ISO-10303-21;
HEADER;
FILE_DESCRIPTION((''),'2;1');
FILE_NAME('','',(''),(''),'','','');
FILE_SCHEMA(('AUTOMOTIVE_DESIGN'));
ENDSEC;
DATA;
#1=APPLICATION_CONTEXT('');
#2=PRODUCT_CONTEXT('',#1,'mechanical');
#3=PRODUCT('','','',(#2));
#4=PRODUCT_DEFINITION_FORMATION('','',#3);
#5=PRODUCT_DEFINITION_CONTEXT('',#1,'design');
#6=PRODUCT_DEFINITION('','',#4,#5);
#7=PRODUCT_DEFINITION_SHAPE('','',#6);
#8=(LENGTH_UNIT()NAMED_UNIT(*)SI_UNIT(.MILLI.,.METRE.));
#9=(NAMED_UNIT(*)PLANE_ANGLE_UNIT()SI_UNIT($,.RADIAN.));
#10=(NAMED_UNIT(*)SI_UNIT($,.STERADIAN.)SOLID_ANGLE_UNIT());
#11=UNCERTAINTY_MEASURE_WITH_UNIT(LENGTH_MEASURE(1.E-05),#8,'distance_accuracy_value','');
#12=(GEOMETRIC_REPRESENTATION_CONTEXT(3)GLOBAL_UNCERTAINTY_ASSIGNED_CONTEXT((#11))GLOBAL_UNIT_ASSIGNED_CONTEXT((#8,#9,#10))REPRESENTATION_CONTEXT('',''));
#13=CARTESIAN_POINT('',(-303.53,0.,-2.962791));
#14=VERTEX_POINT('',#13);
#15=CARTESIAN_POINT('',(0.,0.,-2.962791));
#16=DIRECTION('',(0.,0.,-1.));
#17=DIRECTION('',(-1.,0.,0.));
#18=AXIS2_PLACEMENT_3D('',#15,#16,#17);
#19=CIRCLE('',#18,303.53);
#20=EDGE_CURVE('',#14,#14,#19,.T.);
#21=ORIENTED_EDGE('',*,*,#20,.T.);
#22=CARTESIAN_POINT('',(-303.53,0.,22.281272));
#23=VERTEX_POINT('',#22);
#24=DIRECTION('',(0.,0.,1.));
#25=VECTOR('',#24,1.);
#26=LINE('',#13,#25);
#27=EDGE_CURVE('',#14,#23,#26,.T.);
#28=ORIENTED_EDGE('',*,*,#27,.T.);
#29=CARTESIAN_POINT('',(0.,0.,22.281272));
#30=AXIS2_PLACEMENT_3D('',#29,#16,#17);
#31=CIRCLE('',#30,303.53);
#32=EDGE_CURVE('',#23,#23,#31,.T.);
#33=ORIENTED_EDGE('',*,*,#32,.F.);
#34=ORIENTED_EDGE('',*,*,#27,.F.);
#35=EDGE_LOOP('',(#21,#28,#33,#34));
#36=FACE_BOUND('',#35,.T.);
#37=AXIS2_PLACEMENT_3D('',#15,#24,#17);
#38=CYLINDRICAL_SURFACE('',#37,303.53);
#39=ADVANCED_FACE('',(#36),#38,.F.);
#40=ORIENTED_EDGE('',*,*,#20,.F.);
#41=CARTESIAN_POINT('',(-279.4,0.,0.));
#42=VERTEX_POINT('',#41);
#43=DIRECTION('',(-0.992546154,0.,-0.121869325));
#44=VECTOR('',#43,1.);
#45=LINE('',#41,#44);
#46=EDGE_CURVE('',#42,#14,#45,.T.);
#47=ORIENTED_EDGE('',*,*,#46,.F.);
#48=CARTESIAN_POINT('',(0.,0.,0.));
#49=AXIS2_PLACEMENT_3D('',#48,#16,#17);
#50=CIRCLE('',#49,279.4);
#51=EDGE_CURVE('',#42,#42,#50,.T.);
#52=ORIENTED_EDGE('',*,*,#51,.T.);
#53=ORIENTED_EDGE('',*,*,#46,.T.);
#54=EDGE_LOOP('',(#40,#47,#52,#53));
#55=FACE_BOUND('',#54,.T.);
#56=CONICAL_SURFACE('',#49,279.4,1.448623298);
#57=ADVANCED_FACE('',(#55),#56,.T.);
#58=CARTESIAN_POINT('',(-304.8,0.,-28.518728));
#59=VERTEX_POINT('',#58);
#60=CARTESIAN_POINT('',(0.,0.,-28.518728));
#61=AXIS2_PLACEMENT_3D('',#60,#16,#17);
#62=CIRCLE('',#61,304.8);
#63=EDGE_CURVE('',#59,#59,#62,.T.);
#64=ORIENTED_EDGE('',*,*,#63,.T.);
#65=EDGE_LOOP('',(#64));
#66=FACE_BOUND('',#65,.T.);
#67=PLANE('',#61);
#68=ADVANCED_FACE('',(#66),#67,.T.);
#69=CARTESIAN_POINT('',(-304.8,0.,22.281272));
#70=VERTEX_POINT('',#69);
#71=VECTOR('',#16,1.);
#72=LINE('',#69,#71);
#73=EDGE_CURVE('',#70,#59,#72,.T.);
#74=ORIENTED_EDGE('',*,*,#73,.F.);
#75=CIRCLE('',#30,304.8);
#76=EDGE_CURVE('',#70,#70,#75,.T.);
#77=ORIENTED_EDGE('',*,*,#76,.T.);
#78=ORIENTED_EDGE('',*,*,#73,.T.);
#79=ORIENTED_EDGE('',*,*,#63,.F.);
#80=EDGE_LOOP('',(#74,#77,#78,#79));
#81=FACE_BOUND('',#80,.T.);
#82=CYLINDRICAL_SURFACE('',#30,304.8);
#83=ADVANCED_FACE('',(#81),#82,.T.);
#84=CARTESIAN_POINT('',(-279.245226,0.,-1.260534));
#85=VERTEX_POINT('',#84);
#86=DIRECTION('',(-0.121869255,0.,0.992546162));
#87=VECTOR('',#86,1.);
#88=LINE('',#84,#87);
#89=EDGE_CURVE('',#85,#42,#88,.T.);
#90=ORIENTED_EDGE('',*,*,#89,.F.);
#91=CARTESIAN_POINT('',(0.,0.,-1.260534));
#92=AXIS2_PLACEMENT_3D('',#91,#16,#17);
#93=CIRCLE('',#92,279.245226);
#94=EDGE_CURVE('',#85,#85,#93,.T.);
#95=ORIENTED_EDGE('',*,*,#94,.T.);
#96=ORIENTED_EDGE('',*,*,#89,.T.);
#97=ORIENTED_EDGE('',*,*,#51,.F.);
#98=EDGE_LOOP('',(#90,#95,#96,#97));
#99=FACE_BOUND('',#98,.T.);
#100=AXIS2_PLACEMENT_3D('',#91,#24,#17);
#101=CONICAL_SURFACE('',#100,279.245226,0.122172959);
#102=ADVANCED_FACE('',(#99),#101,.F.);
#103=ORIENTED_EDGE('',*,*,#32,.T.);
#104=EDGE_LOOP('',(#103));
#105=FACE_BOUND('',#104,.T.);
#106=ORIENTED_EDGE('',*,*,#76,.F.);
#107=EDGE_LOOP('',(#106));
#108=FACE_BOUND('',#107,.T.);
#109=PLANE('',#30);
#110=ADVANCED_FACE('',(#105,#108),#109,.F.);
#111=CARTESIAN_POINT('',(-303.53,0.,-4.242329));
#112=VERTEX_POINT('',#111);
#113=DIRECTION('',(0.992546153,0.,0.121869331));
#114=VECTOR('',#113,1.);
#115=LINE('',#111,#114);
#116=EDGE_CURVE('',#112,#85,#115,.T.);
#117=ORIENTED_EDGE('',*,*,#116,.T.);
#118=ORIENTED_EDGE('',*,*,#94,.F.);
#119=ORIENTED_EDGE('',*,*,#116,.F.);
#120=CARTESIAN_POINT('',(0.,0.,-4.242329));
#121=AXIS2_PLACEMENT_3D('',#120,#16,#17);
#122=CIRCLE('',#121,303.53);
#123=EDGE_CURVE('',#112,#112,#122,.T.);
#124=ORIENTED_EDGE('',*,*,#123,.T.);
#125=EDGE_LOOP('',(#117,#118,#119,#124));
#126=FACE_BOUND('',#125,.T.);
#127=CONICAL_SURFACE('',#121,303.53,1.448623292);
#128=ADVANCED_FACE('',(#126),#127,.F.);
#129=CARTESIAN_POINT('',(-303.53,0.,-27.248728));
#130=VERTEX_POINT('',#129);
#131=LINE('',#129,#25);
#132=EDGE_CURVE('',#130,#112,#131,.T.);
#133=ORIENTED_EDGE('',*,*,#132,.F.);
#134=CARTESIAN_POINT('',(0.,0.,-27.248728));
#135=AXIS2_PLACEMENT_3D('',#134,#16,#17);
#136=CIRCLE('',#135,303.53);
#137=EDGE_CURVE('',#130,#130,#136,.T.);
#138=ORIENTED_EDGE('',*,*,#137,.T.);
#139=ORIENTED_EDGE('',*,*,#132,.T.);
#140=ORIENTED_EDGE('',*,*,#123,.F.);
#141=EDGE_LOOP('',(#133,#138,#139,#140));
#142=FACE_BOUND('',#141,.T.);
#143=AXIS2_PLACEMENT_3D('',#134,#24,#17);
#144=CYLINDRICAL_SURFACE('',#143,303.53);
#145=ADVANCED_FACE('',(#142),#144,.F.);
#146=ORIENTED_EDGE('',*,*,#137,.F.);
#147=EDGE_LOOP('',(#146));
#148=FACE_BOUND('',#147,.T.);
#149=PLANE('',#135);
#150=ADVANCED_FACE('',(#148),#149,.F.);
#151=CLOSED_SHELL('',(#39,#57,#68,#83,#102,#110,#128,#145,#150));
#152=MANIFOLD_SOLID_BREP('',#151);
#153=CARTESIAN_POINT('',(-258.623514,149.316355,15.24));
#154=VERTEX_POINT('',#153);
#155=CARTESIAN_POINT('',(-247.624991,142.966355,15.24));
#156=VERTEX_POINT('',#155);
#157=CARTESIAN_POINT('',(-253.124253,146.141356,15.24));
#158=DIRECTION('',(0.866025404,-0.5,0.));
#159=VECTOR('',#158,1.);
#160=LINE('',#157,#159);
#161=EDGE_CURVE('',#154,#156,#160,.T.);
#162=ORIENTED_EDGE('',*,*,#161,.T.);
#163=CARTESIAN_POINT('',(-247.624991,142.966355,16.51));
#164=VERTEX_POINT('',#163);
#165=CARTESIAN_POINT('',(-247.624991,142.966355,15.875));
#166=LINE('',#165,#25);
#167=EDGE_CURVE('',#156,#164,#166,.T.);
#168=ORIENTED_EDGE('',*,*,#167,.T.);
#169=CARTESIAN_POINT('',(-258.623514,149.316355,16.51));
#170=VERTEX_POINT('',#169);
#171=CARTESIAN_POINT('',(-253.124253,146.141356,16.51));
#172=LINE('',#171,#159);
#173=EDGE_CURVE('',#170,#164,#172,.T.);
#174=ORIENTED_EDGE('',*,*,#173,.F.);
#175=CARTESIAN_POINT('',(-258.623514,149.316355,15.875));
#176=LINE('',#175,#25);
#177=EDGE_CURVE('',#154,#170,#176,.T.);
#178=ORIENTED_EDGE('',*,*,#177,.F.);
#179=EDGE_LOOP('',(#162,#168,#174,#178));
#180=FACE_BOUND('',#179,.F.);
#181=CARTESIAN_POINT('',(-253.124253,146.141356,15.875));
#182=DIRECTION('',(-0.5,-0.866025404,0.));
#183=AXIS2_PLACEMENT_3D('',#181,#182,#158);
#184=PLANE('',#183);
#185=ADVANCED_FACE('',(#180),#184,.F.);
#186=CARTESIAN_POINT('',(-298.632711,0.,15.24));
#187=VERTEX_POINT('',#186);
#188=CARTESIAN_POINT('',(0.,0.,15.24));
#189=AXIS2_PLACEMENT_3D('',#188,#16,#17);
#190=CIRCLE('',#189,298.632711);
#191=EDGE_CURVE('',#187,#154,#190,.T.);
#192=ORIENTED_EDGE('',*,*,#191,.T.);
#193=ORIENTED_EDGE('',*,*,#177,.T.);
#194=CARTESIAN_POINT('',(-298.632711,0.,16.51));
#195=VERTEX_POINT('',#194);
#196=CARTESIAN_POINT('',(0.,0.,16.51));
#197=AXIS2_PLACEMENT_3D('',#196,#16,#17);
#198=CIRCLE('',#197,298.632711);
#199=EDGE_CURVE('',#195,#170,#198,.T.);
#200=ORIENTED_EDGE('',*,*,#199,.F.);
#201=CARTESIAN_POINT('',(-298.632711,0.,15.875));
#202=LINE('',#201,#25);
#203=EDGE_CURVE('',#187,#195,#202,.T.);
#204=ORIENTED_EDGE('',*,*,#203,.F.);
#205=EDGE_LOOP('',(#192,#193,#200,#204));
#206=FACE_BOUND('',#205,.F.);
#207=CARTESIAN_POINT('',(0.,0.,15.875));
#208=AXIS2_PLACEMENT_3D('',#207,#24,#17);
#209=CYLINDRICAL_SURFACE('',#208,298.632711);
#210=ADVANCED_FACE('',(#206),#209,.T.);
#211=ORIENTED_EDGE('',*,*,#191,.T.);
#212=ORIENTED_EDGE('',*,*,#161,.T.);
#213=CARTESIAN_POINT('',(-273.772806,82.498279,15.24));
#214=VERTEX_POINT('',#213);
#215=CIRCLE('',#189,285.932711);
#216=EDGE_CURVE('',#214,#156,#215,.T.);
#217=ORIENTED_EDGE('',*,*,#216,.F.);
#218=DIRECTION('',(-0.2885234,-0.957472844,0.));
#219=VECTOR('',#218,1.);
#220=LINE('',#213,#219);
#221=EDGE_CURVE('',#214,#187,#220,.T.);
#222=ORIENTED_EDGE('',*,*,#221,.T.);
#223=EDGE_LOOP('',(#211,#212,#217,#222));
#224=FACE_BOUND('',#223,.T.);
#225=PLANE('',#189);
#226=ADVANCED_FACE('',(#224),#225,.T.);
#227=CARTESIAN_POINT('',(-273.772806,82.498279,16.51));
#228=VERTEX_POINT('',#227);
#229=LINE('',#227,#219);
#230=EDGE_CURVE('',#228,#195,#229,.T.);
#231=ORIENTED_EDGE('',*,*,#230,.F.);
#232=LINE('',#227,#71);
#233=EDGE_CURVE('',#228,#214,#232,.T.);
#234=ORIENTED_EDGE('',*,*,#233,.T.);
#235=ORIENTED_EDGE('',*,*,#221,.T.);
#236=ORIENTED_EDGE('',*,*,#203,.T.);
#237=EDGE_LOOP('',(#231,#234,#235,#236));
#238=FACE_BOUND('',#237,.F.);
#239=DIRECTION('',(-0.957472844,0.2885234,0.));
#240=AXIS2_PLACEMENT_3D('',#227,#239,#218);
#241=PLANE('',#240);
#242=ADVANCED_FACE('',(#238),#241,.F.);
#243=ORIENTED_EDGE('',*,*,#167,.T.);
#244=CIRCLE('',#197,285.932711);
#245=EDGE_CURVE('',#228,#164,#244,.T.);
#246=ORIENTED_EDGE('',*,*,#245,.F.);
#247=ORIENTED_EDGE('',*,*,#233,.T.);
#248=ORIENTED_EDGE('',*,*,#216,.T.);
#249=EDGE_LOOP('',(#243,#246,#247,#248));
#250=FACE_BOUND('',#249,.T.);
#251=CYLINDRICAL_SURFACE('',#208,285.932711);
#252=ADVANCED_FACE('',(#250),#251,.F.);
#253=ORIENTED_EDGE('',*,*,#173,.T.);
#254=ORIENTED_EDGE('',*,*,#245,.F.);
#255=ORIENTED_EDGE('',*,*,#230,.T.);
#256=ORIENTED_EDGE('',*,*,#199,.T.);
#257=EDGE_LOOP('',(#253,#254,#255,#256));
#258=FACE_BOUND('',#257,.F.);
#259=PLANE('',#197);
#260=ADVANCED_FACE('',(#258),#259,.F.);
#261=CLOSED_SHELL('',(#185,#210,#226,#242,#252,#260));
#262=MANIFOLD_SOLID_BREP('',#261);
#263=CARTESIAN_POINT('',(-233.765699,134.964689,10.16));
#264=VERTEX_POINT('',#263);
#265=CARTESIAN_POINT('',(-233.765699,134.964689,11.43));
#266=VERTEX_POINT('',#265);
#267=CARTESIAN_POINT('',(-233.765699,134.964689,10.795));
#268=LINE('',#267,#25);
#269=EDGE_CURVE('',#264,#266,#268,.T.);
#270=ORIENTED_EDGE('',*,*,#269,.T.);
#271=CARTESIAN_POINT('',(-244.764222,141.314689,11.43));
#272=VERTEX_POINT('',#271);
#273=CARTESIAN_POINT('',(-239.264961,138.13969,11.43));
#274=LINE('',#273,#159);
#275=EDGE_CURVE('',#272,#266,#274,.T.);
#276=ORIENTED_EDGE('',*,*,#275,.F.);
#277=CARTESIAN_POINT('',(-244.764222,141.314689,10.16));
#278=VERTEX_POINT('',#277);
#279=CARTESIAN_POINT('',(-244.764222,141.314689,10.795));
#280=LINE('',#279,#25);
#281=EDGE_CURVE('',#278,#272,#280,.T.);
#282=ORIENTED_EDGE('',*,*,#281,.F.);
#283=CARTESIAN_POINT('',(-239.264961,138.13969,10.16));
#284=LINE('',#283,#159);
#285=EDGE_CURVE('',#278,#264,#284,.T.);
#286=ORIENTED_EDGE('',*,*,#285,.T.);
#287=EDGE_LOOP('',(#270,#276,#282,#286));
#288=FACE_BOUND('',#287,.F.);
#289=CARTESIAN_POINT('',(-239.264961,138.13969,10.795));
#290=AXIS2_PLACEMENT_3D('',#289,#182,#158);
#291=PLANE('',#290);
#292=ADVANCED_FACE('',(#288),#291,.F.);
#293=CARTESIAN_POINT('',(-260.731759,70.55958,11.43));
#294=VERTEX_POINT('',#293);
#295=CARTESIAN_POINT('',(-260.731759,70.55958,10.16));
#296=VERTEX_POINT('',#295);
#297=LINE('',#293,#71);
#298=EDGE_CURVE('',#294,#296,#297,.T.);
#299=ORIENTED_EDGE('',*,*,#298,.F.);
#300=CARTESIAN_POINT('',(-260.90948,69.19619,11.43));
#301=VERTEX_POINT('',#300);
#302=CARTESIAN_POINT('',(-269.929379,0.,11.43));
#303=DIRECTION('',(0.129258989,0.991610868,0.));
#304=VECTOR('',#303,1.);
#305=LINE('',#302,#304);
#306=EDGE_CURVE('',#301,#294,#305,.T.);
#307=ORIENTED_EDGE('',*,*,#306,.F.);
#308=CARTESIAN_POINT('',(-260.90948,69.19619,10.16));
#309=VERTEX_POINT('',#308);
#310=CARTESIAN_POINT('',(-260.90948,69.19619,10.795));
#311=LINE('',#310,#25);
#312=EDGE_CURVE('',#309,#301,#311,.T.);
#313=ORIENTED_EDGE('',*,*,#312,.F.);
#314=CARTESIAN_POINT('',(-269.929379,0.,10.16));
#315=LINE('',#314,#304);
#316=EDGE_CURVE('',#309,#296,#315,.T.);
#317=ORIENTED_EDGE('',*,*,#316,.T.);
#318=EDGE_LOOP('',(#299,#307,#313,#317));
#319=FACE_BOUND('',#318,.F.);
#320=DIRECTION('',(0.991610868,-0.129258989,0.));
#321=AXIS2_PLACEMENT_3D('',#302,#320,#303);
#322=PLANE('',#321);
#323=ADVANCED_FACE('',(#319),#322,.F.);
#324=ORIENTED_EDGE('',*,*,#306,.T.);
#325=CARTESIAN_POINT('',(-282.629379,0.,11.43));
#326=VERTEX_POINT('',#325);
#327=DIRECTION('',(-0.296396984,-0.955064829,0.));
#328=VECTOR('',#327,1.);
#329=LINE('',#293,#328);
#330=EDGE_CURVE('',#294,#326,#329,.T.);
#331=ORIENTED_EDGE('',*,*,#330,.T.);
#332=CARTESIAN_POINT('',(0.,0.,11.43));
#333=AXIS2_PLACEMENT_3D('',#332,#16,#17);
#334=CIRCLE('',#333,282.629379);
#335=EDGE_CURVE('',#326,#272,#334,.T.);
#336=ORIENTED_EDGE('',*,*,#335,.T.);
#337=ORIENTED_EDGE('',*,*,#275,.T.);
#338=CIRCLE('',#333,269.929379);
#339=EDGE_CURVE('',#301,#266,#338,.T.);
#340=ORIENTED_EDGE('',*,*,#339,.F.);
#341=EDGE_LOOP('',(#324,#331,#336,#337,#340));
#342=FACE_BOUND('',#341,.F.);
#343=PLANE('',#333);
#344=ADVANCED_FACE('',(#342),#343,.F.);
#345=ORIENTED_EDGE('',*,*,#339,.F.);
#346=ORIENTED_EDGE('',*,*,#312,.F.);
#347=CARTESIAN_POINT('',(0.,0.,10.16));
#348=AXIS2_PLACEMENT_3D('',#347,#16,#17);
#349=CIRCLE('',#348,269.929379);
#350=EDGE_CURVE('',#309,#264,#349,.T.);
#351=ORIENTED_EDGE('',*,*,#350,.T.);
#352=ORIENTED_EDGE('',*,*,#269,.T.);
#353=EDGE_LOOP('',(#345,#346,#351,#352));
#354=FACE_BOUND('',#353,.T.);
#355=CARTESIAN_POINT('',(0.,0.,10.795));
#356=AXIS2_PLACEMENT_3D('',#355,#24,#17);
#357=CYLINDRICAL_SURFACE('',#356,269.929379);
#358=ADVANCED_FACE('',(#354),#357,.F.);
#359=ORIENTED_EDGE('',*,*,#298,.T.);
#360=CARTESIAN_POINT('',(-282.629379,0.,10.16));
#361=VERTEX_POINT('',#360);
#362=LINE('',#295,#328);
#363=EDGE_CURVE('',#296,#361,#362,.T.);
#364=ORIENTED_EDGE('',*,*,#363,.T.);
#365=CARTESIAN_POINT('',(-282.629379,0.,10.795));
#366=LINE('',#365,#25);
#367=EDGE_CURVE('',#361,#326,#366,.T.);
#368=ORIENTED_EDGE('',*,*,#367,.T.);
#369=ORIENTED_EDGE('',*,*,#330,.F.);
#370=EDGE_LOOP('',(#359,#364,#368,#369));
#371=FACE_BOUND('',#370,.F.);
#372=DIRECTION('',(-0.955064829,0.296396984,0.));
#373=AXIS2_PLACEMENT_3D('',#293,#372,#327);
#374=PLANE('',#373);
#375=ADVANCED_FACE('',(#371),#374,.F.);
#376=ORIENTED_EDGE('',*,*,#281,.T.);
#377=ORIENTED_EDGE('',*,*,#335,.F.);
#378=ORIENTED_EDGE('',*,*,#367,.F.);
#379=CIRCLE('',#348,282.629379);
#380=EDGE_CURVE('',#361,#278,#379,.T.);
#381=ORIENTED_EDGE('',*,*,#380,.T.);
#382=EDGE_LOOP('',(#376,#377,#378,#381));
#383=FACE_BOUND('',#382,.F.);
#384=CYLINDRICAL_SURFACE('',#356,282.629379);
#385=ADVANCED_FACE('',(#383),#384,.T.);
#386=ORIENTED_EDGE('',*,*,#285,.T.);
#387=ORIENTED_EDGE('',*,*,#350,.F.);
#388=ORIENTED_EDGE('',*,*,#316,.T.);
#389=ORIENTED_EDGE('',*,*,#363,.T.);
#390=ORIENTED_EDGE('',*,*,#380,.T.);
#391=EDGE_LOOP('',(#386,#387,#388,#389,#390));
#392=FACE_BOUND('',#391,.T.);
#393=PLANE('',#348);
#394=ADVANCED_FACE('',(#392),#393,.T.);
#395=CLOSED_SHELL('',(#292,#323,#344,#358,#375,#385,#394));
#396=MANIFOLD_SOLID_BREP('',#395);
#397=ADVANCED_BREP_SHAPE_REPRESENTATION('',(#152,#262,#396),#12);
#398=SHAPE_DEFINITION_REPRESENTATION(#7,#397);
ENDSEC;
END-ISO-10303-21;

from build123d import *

# Parameters (mm, degrees)
F3_W     = 12.7
F3_H     = 1.27
F4_ANGLE = 30
F7_DEPTH = 1.27
F8_DEPTH = 1.27


with BuildPart() as f2:
    # F0 (on Front) → F2 (revolve)
    with BuildSketch(Plane.XZ):
        Polygon((-304.8, 22.281272), (-304.8, -3.118728), (-304.8, -28.518728), (0, -28.518728), (0, -27.248728), (-303.53, -27.248728), (-303.53, -4.242329), (-279.245226, -1.260534), (-279.4, 0), (-303.53, -2.962791), (-303.53, 22.281272), align=None)
    revolve(axis=Axis((0, 0, -10.939999), (0, 0, -1)))


with BuildPart() as f4:
    # F3 (on Front) → F4 (revolve)
    with BuildSketch(Plane.XZ):
        with Locations((-276.279379, 10.795)):
            Rectangle(F3_W, F3_H)
        with Locations((-292.282711, 15.875)):
            Rectangle(F3_W, F3_H)
    revolve(axis=Axis((0, 0, -10.939999), (0, 0, -1)), revolution_arc=F4_ANGLE)

    # F5 (on face) → F7 (cut, through all)
    with BuildSketch(Plane.XY.offset(16.51)):
        Polygon((-273.772806, 82.498279), (-298.632711, 0), (-285.932711, 0), align=None)
    extrude(amount=-F7_DEPTH, mode=Mode.SUBTRACT)

    # F6 (on face) → F8 (cut, through all)
    with BuildSketch(Plane.XY.offset(11.43)):
        Polygon((-260.731759, 70.55958), (-282.629379, 0), (-269.929379, 0), align=None)
    extrude(amount=-F8_DEPTH, mode=Mode.SUBTRACT)


solid = Compound([f2.part, f4.part])
